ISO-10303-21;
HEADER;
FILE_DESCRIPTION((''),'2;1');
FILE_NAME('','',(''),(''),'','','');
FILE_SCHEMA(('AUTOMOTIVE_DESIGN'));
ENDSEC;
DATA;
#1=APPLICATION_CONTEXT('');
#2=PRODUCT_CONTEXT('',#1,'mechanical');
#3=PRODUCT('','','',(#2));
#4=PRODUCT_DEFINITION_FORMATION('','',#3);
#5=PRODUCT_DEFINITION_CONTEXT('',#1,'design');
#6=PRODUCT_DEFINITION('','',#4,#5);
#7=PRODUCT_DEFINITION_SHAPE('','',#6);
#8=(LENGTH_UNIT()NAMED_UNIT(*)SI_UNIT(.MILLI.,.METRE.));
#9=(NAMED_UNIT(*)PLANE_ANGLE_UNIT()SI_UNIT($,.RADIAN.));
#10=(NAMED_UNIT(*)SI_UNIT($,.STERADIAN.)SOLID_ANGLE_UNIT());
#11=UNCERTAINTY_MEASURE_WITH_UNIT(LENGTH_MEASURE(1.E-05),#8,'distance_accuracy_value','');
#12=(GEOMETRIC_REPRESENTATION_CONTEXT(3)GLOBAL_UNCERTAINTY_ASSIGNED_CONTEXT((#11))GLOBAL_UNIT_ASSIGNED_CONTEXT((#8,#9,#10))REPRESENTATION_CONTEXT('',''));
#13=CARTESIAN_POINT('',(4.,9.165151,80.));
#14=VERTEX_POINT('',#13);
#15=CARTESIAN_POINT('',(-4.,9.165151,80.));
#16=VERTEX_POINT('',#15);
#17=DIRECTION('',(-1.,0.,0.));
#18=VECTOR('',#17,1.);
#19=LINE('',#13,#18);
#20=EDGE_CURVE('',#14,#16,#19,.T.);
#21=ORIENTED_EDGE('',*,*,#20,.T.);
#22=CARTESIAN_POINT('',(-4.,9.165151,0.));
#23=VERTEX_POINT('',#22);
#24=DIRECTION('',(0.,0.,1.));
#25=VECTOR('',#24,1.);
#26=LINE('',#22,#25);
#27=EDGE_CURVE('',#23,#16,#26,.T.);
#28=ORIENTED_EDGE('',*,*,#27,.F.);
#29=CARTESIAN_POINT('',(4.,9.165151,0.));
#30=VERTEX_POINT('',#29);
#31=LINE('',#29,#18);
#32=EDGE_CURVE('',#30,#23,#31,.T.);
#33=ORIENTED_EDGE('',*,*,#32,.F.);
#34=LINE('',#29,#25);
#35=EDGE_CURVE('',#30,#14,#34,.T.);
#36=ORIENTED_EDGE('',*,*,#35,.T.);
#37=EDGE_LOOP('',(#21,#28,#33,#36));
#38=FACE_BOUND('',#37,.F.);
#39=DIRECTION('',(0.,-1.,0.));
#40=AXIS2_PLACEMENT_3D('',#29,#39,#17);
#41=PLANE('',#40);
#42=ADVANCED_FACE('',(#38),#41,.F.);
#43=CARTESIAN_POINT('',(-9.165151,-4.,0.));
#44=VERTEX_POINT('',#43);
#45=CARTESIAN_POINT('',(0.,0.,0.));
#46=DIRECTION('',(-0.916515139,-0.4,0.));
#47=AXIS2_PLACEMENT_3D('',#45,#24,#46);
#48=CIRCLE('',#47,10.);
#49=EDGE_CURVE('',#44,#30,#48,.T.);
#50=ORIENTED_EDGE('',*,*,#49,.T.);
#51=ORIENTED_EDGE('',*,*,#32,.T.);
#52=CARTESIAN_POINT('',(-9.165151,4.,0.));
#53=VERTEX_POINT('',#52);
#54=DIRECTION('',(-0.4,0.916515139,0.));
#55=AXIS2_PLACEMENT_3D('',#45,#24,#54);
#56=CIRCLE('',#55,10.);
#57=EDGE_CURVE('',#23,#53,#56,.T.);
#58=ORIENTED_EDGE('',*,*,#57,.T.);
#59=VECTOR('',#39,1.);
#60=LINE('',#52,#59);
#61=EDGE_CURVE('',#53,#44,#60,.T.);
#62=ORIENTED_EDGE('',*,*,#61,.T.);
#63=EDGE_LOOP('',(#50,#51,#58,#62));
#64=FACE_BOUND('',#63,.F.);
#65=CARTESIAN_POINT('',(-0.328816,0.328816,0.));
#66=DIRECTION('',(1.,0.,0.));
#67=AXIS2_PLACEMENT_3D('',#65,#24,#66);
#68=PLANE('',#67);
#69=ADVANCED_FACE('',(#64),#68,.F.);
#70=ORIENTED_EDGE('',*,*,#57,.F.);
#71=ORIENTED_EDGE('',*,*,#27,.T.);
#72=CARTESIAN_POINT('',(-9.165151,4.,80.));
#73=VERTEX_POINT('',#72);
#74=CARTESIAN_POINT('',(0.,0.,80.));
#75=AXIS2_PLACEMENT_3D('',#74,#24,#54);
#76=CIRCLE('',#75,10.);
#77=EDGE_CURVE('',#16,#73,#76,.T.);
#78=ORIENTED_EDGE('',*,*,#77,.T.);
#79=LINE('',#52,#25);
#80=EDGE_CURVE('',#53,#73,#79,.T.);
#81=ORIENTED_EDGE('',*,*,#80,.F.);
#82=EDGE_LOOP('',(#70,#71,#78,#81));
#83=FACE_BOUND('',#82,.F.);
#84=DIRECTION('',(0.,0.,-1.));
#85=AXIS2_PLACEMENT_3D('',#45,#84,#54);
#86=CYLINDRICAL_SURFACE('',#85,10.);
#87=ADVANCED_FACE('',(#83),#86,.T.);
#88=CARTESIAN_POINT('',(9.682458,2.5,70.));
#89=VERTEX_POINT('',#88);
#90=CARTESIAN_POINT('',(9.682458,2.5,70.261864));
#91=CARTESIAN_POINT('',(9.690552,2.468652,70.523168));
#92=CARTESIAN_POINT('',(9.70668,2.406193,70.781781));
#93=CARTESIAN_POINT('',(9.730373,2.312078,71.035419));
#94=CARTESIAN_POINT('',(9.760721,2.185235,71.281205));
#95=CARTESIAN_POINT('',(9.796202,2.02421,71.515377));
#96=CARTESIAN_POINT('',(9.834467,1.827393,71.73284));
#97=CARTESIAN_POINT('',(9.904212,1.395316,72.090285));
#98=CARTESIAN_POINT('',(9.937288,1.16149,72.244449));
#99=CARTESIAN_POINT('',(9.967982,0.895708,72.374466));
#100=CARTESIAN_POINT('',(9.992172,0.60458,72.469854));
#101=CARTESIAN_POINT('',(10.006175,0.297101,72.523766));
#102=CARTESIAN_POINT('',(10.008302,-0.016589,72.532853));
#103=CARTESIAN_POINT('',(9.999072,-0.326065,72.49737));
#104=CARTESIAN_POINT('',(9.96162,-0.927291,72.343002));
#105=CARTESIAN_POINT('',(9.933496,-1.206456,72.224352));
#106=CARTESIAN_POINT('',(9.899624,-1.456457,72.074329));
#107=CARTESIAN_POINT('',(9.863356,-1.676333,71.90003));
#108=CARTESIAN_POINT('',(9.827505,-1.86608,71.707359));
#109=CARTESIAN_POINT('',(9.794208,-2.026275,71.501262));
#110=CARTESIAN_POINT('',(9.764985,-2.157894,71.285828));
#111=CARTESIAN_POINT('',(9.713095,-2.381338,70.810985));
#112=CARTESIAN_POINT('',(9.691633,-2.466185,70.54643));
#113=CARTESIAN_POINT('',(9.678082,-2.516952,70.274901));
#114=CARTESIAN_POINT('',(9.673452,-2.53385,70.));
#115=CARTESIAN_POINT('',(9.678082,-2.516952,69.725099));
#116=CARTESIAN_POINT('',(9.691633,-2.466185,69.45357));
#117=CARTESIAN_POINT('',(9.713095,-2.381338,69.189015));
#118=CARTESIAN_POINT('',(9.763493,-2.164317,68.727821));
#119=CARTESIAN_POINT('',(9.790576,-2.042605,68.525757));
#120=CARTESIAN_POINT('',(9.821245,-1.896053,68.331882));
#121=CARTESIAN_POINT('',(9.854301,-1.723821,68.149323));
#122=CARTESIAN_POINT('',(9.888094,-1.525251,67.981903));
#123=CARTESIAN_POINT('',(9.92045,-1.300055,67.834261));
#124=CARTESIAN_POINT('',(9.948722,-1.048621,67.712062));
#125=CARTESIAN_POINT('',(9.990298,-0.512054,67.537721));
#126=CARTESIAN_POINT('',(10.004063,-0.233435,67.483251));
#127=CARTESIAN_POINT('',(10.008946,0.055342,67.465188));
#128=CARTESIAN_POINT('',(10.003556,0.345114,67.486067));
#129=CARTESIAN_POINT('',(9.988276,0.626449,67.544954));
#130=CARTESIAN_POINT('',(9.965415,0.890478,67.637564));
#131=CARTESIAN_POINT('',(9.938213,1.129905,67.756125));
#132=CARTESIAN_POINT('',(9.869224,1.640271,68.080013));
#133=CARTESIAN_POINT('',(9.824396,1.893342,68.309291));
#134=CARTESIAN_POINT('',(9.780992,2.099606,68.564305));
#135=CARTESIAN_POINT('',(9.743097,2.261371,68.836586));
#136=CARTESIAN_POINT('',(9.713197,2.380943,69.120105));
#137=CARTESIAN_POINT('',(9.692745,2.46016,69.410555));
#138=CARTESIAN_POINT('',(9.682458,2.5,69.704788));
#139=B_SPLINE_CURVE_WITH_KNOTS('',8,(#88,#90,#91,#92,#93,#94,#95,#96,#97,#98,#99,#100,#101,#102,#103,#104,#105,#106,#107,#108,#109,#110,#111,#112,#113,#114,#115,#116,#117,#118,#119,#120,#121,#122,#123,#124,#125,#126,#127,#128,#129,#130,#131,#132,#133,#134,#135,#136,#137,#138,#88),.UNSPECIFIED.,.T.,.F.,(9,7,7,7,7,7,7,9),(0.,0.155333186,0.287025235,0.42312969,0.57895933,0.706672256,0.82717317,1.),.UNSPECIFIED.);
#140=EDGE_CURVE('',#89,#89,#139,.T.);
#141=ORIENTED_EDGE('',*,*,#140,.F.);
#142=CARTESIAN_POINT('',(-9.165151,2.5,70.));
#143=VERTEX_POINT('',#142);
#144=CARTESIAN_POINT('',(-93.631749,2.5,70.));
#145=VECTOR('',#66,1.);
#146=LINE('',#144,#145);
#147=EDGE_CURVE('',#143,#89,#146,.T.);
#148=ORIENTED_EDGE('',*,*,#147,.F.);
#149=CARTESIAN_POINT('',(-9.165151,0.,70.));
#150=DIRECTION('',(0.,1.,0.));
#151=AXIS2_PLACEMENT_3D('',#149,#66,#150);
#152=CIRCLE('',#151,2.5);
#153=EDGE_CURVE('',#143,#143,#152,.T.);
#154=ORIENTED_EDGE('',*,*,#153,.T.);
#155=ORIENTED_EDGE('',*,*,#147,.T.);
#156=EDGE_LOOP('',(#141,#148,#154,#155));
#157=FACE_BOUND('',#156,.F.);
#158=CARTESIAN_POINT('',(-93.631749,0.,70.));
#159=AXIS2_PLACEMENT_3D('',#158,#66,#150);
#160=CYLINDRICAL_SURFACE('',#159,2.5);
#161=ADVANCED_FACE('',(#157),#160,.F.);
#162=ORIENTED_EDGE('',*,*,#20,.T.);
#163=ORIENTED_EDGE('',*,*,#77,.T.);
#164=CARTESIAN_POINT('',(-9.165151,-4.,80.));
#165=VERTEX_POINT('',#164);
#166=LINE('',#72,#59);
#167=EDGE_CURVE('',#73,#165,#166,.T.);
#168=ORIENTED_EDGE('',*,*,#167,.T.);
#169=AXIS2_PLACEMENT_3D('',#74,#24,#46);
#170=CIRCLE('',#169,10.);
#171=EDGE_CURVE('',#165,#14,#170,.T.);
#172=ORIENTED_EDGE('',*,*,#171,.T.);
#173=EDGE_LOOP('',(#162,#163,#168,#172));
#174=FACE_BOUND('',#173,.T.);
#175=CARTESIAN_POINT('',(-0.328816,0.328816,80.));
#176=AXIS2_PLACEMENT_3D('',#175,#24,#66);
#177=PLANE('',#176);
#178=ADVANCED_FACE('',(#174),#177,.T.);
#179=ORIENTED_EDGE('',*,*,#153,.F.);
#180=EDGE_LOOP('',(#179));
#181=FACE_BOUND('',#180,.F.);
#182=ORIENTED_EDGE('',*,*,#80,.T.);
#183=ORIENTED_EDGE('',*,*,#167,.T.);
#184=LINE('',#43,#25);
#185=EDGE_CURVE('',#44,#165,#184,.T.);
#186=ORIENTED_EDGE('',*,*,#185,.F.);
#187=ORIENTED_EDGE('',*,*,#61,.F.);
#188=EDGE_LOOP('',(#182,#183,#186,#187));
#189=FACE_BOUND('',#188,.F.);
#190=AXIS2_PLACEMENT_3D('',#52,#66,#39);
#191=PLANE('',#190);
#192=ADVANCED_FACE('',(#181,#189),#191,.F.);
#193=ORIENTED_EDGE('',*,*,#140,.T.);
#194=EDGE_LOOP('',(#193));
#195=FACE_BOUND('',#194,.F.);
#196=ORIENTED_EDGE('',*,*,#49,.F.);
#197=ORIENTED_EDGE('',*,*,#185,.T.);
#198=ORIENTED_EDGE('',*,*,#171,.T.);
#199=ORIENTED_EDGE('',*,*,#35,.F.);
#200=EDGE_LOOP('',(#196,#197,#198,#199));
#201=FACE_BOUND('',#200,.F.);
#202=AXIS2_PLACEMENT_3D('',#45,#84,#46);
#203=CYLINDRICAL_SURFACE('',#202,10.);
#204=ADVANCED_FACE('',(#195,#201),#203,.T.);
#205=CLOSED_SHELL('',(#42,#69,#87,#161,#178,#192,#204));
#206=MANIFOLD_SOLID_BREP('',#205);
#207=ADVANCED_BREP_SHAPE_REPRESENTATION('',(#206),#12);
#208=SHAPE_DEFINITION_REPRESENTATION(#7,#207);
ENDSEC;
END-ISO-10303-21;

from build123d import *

# Parameters (mm, degrees)
F1_DEPTH = 80
F3_D     = 5


with BuildPart() as f1:
    # F0 (on Top) → F1 (new body)
    with BuildSketch(Plane.XY):
        with BuildLine():
            Line((-9.1651513899, 4), (-9.1651513899, -4))
            ThreePointArc((-9.1651513899, -4), (7.0710678119, -7.0710678119), (4, 9.1651513899))
            Line((4, 9.1651513899), (-4, 9.1651513899))
            ThreePointArc((-4, 9.1651513899), (-7.0710678119, 7.0710678119), (-9.1651513899, 4))
        make_face()
    extrude(amount=F1_DEPTH)

    # F3 (through all)
    with Locations(Plane(origin=(-9.1651513899, 0, 0), x_dir=(0, -1, 0), z_dir=(-1, 0, 0))):
        with Locations((0, 70)):
            Hole(F3_D / 2)


solid = f1.part
